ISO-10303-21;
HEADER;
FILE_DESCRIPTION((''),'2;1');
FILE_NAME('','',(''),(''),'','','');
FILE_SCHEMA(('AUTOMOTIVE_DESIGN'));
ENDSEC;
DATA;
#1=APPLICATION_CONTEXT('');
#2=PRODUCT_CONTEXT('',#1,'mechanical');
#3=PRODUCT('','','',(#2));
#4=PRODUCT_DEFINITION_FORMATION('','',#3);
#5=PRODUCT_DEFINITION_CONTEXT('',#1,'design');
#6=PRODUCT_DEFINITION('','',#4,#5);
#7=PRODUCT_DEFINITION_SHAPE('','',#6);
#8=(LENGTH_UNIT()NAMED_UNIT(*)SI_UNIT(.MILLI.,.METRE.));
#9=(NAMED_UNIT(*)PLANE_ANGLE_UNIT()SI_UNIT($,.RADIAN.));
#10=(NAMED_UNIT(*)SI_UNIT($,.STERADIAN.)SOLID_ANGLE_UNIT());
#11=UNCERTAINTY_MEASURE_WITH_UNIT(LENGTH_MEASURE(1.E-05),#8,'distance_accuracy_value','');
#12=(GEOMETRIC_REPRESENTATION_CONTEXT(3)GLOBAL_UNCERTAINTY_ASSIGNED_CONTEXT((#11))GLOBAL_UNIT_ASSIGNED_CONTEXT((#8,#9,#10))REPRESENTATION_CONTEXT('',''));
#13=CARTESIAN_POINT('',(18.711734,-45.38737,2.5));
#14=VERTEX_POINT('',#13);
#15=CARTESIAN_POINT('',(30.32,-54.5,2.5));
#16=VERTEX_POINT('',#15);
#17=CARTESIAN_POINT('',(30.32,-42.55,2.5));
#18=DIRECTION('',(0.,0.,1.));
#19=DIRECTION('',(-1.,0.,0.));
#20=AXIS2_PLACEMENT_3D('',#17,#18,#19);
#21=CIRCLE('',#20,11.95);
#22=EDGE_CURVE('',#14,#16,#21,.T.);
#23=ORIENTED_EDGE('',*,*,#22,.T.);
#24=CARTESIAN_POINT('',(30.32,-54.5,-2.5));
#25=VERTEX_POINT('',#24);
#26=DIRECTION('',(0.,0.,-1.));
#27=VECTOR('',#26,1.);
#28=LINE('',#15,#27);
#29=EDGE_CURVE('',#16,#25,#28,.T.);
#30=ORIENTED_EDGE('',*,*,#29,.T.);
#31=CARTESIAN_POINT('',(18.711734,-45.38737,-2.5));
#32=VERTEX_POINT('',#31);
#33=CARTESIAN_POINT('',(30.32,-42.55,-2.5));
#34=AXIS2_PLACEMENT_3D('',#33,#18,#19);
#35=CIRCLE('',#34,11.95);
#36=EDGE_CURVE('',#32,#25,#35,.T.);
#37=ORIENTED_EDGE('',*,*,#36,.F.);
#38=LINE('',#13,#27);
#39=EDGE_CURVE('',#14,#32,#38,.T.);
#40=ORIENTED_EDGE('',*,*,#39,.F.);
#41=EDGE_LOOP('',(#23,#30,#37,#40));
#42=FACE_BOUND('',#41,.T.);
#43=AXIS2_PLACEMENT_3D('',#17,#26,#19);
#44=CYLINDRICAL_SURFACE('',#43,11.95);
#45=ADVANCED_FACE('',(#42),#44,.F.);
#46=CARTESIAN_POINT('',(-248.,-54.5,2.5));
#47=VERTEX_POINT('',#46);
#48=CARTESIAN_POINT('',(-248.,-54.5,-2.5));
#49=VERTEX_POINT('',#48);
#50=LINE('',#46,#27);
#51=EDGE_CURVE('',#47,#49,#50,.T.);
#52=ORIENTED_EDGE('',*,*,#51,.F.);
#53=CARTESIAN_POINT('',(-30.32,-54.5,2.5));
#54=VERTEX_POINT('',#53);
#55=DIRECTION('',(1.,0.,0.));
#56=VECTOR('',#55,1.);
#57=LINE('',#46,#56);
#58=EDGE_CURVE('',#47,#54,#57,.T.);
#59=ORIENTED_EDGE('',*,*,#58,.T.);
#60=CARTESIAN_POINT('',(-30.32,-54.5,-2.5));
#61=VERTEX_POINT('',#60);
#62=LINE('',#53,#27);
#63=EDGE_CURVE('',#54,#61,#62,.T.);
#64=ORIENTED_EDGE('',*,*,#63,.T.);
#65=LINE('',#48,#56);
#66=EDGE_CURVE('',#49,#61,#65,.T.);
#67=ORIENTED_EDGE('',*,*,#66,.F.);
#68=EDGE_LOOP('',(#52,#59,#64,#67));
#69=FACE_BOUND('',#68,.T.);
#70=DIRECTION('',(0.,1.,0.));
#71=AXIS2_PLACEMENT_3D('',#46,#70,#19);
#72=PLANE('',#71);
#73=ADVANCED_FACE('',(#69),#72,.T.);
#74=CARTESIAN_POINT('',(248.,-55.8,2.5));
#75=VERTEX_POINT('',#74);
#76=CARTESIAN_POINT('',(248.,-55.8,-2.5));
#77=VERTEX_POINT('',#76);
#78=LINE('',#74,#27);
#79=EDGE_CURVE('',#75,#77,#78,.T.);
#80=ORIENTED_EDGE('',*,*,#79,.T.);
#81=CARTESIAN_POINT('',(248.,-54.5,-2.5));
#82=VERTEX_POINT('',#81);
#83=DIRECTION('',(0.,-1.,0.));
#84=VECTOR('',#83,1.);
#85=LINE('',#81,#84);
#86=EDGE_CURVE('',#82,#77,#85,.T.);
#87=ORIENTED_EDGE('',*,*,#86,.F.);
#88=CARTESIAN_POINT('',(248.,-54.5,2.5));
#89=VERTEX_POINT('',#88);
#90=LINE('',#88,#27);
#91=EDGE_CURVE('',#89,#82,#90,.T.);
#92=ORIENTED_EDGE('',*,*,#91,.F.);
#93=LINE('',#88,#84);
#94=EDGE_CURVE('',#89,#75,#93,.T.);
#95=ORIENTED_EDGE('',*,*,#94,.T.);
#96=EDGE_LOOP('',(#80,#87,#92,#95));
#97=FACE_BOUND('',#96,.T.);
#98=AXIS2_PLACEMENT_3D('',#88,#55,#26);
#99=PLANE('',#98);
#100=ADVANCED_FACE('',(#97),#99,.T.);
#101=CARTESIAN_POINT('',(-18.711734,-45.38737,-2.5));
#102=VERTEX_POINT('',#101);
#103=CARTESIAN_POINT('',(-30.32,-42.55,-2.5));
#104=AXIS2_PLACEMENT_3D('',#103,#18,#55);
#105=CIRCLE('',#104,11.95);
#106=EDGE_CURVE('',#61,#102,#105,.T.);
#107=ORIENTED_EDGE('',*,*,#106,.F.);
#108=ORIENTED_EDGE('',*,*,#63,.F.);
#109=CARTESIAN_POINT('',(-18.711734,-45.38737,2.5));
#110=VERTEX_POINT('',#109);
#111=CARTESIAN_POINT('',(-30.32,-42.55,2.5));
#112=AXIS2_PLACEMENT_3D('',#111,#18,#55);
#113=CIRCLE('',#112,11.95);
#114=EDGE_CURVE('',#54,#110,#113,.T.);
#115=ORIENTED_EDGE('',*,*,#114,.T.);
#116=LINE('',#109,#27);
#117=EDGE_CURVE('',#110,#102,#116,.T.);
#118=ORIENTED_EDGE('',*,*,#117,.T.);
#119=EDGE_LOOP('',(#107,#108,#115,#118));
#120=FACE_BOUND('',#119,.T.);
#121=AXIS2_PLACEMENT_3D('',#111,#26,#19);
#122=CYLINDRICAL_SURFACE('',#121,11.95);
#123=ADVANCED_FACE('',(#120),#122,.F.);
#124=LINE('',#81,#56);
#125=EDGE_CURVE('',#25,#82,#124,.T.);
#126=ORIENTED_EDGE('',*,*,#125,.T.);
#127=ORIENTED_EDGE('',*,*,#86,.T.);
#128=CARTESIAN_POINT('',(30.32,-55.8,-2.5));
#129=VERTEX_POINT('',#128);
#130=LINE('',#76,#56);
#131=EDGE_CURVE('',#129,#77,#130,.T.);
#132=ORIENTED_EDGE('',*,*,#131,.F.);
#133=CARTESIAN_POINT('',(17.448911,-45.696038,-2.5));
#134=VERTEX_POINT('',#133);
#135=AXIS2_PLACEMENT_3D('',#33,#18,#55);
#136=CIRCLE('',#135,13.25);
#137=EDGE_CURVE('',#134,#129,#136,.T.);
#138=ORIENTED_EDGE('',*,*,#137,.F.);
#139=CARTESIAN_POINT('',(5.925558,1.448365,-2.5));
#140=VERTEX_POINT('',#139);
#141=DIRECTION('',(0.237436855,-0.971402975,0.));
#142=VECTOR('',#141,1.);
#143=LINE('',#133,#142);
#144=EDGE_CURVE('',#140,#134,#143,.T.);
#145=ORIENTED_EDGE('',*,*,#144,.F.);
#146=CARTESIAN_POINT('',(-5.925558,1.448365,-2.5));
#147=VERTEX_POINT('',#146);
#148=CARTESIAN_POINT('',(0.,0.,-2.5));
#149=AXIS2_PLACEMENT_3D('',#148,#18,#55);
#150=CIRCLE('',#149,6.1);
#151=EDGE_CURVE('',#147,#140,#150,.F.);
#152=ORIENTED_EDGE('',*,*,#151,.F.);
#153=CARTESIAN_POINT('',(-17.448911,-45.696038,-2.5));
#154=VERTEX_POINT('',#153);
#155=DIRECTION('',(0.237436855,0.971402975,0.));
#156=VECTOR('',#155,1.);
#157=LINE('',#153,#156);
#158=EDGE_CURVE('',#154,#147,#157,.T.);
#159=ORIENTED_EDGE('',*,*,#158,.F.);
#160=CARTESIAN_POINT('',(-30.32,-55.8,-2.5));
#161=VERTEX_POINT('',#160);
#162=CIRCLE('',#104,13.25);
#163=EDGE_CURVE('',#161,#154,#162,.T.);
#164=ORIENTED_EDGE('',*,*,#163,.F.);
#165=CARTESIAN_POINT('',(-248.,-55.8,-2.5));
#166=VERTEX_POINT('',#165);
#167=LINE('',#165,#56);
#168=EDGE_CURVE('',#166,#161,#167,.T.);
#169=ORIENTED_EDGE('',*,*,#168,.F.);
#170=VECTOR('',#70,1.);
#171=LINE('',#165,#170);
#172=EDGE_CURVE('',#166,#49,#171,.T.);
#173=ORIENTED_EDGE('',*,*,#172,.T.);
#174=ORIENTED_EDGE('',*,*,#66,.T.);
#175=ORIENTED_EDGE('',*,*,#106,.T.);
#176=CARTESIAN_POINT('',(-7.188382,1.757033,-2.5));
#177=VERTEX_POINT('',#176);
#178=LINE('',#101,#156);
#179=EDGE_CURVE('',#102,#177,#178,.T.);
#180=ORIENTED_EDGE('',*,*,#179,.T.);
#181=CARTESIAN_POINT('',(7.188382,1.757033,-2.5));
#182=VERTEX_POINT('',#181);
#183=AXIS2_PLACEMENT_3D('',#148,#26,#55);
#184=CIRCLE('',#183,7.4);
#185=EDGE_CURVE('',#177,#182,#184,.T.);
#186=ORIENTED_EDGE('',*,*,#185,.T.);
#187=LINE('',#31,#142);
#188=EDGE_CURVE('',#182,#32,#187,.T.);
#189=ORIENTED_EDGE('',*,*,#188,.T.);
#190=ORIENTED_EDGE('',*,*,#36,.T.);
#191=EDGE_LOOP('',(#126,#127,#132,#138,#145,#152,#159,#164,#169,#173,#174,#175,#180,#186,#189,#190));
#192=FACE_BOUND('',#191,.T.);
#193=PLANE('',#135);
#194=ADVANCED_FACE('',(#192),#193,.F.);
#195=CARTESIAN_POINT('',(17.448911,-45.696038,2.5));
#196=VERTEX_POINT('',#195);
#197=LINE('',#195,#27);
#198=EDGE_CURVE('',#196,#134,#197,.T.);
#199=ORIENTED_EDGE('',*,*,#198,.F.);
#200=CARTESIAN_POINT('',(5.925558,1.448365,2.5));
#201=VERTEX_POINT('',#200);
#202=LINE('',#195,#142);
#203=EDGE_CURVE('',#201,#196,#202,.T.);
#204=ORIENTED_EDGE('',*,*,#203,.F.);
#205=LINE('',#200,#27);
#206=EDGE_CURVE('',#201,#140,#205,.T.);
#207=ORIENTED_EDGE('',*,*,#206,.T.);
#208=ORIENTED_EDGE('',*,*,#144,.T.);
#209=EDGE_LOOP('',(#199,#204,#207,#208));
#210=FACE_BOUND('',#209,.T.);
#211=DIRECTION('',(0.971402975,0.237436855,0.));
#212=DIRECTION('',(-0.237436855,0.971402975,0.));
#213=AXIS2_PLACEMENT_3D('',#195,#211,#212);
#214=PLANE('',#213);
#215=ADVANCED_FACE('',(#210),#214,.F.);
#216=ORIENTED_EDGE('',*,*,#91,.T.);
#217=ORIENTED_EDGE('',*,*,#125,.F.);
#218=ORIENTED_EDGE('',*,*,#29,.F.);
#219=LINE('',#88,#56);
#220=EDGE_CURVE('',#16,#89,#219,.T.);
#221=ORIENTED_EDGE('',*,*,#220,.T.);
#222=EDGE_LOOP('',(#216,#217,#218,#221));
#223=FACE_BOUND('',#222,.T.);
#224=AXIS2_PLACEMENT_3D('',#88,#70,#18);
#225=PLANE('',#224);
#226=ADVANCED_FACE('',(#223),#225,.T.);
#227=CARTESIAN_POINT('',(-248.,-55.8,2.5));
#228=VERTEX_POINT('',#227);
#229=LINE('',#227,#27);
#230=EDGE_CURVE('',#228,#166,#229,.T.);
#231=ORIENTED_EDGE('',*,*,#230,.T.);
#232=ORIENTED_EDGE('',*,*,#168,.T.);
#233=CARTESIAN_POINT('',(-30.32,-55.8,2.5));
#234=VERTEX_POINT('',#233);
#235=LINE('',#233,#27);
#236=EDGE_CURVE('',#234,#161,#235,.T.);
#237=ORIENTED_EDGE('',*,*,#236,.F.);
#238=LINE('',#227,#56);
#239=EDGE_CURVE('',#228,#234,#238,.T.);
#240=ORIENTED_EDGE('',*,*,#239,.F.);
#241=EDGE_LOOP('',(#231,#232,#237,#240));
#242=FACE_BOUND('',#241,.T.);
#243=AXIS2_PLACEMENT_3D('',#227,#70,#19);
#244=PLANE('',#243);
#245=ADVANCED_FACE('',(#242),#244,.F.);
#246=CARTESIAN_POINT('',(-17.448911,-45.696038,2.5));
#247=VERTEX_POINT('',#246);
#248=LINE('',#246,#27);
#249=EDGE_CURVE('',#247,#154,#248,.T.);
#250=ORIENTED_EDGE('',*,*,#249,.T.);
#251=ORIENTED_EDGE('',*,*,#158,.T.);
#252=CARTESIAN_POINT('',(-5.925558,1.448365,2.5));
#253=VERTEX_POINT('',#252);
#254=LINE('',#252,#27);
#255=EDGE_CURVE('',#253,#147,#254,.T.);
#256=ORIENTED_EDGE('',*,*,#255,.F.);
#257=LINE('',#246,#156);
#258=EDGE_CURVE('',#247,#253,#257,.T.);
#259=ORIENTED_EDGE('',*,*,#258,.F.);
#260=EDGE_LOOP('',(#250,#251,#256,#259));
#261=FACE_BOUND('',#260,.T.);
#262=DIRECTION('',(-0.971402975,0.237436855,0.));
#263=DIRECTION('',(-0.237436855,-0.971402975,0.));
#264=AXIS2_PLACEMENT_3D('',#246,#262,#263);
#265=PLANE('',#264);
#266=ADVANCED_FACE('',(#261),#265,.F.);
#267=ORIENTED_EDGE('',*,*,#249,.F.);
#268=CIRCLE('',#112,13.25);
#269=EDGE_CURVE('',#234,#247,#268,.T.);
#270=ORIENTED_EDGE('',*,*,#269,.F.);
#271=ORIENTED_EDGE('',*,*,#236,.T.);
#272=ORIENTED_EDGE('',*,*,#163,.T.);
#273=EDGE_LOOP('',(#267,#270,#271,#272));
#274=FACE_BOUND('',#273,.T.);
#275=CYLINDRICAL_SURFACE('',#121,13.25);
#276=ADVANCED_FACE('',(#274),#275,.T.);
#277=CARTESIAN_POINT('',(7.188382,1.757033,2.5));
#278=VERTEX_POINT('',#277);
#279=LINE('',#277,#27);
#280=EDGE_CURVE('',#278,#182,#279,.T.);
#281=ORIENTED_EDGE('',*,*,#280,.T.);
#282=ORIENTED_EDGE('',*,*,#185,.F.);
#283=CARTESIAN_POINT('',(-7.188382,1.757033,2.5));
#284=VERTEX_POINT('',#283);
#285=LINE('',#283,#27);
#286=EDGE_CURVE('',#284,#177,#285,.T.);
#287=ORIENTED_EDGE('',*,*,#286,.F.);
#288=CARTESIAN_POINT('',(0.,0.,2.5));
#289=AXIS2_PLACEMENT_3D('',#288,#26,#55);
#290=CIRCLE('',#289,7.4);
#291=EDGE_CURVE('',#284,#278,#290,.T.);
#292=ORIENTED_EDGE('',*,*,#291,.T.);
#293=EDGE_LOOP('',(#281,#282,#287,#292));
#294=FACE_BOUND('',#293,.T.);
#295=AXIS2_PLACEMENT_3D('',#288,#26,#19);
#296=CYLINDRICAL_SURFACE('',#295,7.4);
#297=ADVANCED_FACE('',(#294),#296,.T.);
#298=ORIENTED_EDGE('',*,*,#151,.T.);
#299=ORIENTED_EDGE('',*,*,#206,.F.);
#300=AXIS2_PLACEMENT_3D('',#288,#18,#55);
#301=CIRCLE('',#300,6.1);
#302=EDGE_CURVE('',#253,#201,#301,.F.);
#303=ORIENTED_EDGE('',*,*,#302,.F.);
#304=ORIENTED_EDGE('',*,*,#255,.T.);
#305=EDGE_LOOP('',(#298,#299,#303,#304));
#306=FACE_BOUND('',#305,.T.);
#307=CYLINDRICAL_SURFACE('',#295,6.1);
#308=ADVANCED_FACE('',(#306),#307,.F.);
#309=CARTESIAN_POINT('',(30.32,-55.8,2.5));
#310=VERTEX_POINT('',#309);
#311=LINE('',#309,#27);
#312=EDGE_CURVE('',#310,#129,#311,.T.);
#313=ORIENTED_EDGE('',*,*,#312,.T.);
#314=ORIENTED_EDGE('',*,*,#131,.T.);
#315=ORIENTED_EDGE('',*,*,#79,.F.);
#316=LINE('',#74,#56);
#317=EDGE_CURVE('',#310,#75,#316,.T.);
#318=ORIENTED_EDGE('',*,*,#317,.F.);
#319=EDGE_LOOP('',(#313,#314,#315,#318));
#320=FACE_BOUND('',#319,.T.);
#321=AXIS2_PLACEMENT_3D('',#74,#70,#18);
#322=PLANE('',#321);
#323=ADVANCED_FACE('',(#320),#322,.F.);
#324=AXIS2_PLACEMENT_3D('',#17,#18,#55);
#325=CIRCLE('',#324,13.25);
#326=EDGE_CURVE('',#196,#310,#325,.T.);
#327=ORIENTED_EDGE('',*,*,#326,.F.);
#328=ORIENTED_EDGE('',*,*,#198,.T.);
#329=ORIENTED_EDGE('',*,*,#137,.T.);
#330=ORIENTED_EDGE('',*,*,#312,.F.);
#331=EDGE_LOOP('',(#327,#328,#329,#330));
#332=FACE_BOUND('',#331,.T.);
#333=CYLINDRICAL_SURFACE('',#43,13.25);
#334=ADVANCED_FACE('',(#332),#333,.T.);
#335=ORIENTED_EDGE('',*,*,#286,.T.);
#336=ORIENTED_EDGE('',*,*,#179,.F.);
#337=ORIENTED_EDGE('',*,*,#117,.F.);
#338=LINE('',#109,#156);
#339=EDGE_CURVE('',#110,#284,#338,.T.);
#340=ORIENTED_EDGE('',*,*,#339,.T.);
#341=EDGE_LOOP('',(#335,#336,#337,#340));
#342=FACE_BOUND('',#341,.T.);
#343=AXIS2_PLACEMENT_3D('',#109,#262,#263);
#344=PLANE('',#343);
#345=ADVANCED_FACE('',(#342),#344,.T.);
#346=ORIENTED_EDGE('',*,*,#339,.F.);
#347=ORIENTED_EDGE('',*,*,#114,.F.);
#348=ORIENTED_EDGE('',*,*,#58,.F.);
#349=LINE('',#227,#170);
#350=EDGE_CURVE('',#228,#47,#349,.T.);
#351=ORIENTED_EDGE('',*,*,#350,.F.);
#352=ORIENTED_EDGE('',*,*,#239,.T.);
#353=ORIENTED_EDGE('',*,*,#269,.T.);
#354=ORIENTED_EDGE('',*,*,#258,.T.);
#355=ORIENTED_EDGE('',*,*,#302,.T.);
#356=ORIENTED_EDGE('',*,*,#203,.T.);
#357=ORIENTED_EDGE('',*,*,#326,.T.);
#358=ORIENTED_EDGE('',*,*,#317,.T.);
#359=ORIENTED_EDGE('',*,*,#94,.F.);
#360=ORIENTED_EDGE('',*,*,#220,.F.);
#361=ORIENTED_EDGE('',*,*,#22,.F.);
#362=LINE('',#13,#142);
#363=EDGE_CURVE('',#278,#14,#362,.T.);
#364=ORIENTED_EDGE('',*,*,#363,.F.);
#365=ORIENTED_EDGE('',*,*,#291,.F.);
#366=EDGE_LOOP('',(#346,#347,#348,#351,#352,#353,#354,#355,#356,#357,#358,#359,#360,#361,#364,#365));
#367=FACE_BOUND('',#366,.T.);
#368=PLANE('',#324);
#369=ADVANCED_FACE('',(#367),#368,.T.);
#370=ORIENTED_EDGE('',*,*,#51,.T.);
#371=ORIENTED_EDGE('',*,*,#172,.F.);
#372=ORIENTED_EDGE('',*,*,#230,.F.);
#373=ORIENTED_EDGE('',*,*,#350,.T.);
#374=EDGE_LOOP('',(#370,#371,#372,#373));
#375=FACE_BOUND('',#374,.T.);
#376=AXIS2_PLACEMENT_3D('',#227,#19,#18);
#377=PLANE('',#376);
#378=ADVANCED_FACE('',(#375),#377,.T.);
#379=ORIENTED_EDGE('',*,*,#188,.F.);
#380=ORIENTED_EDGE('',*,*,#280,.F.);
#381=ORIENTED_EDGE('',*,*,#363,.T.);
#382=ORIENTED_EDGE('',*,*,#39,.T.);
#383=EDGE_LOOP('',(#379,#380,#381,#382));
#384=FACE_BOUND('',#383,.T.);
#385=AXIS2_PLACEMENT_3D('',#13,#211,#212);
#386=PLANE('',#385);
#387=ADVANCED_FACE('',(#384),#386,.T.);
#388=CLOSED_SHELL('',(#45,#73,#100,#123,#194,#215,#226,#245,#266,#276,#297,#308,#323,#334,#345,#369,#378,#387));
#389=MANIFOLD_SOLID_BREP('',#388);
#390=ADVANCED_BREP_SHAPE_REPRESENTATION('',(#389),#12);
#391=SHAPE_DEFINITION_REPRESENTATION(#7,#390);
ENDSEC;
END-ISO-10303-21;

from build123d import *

# Parameters (mm, degrees)
EXTRUDE_THIN1_DEPTH = 2.5


with BuildPart() as part:
    # Sketch1 → Extrude-Thin1 (new body, symmetric)
    with BuildSketch(Plane.XY):
        with BuildLine():
            Line((-248, -54.5), (-30.32, -54.5))
            ThreePointArc((-30.32, -54.5), (-22.941113788, -51.949709478), (-18.71173445, -45.387370423))
            Line((-18.71173445, -45.387370423), (-7.188382014, 1.75703273))
            ThreePointArc((-7.188382014, 1.75703273), (0, 7.4), (7.188382014, 1.75703273))
            Line((7.188382014, 1.75703273), (18.71173445, -45.387370423))
            ThreePointArc((18.71173445, -45.387370423), (22.941113788, -51.949709478), (30.32, -54.5))
            Line((30.32, -54.5), (248, -54.5))
            Line((248, -54.5), (248, -55.8))
            Line((248, -55.8), (30.32, -55.8))
            ThreePointArc((30.32, -55.8), (22.138389765, -52.972272016), (17.448910582, -45.696038335))
            Line((17.448910582, -45.696038335), (5.925558147, 1.448364818))
            ThreePointArc((5.925558147, 1.448364818), (0, 6.1), (-5.925558147, 1.448364818))
            Line((-5.925558147, 1.448364818), (-17.448910582, -45.696038335))
            ThreePointArc((-17.448910582, -45.696038335), (-22.138389765, -52.972272016), (-30.32, -55.8))
            Line((-30.32, -55.8), (-248, -55.8))
            Line((-248, -55.8), (-248, -54.5))
        make_face()
    extrude(amount=EXTRUDE_THIN1_DEPTH, both=True)


solid = part.part
